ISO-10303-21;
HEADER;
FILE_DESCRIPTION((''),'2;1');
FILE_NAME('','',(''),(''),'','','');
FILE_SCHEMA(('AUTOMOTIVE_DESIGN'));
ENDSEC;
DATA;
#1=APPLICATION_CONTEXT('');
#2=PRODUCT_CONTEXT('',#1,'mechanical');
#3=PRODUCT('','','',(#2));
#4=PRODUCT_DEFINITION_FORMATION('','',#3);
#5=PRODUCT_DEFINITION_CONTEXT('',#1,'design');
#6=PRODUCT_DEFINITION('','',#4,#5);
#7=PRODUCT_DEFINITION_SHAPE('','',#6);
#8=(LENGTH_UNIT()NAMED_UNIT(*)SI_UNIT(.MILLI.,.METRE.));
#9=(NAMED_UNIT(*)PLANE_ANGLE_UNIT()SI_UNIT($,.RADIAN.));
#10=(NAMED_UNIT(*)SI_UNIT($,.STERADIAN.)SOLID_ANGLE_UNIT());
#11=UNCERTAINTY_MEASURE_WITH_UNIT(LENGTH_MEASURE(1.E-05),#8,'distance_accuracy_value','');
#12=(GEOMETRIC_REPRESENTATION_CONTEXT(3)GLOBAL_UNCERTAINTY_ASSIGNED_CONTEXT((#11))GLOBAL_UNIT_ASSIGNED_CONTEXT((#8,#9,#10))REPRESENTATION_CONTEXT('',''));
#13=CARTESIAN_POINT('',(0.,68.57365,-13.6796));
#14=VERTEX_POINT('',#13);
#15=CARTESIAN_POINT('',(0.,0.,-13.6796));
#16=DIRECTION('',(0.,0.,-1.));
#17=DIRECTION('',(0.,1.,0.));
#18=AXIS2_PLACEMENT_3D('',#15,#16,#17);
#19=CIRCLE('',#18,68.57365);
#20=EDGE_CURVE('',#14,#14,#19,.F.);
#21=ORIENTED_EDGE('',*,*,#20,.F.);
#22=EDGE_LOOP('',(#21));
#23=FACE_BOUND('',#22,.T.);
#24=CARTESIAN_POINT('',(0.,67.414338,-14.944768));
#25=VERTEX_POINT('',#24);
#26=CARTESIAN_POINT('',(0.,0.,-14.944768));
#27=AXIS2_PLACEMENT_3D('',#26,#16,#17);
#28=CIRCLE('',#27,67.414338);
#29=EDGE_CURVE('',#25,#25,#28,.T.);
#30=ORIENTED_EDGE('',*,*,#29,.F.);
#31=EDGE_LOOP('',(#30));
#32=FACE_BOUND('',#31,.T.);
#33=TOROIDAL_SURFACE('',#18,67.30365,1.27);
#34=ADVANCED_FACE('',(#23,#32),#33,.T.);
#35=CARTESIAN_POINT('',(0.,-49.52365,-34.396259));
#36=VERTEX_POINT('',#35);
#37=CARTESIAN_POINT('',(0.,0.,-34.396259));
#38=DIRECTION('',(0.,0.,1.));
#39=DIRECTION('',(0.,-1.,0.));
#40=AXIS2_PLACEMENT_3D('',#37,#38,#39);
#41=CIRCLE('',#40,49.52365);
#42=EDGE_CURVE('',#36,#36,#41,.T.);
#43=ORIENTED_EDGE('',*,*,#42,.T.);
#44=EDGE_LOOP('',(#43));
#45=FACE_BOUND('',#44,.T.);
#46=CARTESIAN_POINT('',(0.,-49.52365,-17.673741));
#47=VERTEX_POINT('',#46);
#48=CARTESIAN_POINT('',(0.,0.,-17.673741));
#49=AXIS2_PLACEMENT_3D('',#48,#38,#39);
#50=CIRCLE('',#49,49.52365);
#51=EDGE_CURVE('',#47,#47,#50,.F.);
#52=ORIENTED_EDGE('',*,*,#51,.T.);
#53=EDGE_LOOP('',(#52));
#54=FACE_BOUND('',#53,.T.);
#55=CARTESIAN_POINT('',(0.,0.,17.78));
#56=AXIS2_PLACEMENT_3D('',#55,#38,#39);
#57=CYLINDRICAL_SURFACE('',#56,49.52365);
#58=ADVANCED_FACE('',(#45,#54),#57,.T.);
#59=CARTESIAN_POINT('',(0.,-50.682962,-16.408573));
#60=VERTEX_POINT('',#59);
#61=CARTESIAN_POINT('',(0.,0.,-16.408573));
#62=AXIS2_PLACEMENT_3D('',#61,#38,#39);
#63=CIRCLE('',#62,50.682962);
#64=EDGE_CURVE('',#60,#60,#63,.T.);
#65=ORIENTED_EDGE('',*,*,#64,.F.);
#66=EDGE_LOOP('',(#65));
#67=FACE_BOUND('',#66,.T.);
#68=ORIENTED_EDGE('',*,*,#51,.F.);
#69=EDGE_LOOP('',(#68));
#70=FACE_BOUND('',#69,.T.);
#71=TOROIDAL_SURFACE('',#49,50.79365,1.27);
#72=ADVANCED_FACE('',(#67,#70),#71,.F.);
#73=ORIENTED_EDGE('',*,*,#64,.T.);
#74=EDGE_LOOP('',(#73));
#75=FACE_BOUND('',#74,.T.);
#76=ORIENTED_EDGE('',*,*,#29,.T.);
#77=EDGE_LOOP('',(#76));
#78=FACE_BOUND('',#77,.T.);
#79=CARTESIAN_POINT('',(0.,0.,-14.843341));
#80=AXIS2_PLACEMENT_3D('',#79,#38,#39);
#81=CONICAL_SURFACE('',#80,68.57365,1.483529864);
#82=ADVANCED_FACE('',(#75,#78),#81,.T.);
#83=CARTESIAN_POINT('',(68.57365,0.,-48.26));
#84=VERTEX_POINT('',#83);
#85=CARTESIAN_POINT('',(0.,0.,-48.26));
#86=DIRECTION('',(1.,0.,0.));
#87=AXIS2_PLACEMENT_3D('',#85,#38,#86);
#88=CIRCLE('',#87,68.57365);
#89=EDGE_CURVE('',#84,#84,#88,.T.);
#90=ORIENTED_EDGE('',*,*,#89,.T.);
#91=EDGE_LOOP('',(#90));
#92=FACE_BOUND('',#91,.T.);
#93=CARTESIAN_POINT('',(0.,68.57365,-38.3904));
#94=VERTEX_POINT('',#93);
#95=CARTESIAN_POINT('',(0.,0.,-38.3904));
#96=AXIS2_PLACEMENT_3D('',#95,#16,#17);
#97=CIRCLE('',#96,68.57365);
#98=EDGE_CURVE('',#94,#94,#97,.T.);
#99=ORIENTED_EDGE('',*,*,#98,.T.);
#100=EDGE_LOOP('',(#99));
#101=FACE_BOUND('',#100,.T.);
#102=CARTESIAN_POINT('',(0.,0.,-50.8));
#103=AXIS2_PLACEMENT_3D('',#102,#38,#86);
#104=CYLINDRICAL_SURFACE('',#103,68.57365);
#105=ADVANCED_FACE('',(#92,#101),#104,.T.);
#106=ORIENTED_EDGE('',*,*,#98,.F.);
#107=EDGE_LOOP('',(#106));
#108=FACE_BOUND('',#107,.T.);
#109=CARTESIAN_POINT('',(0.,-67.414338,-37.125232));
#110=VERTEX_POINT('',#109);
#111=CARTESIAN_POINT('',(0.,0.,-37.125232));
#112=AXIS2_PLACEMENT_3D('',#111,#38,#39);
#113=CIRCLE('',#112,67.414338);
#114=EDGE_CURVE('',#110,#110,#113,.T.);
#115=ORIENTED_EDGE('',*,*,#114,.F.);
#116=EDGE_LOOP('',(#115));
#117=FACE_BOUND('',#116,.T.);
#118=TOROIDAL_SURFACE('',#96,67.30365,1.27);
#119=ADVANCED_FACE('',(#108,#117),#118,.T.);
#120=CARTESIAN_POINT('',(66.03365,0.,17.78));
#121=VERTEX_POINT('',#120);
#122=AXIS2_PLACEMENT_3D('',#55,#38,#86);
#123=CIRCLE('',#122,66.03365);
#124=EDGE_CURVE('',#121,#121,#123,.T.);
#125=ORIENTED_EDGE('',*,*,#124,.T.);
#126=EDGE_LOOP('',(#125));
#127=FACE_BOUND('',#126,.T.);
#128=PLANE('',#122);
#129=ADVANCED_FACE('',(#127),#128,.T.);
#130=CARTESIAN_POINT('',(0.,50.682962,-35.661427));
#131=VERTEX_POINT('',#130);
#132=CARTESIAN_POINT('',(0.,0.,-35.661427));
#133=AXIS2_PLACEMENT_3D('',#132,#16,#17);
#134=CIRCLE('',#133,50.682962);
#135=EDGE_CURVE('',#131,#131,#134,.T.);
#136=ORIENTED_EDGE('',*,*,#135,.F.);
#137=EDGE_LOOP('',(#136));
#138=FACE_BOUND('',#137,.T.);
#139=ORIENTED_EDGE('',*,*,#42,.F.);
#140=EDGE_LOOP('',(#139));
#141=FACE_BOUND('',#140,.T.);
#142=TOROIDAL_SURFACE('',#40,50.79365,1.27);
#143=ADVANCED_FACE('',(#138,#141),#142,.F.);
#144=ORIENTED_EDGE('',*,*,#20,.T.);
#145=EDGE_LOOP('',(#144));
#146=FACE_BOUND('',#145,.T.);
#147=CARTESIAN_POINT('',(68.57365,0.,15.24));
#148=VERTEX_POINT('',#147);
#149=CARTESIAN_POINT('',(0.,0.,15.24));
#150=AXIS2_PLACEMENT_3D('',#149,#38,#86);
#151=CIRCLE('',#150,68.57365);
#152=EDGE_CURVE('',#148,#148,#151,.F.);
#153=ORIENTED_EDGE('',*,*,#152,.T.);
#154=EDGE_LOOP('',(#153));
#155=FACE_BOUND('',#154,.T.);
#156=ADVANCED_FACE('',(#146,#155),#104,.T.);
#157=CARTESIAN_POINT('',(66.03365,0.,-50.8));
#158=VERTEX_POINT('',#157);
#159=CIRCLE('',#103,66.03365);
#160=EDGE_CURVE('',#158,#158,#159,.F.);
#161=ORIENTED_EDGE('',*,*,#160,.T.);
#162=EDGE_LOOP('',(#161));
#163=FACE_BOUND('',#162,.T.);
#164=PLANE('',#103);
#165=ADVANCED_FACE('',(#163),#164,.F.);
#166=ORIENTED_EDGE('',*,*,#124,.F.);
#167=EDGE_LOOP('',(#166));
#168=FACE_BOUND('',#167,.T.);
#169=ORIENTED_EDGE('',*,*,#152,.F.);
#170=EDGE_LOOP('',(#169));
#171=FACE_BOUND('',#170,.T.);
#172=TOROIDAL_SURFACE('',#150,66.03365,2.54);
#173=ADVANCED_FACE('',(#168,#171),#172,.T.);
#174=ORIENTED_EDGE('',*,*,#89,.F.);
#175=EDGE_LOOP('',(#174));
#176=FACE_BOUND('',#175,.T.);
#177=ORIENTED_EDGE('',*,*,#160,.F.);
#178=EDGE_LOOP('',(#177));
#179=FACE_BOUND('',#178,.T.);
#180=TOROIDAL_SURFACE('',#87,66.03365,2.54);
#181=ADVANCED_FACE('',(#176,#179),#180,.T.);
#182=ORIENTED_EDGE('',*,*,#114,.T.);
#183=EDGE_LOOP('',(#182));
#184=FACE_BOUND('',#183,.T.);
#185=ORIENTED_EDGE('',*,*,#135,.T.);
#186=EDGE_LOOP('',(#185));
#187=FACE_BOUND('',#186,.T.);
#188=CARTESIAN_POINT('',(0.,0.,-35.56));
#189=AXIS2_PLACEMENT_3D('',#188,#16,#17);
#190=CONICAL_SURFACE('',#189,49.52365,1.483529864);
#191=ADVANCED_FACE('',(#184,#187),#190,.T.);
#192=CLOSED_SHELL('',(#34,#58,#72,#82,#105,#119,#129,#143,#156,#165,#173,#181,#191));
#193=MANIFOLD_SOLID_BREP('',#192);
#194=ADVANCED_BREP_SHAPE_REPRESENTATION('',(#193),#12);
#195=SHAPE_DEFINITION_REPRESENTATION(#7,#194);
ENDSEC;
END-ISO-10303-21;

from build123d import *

# Parameters (mm, degrees)
SKETCH1_R                = 68.57365
BOSS_EXTRUDE1_DEPTH      = 17.78
BOSS_EXTRUDE1_DEPTH_BACK = 50.8
FILLET1_R                = 1.27
FILLET2_R                = 2.54


with BuildPart() as part:
    # Sketch1 → Boss-Extrude1 (new body, two sides)
    with BuildSketch(Plane.XY) as boss_extrude1_sk:
        Circle(SKETCH1_R)
    extrude(amount=BOSS_EXTRUDE1_DEPTH)
    extrude(boss_extrude1_sk.sketch, amount=-BOSS_EXTRUDE1_DEPTH_BACK)

    # Sketch2 → Cut-Revolve1 (revolve, cut)
    with BuildSketch(Plane(origin=(0, 0, 0), x_dir=(0, 0, -1), z_dir=(1, 0, 0))):
        Polygon((16.51, 49.52365), (35.56, 49.52365), (37.22665904, 68.57365), (14.84334096, 68.57365), align=None)
    revolve(axis=Axis((0, 0, 17.78), (0, 0, -1)), mode=Mode.SUBTRACT)

    # Fillet1
    fillet1_edges = [part.edges().sort_by_distance(p)[0] for p in [
        (-48.488892926, -48.488892926, -14.84334096),
        (-48.488892926, -48.488892926, -37.22665904),
        (0, -49.52365, -35.56),
        (0, -49.52365, -16.51),
    ]]
    fillet(fillet1_edges, radius=FILLET1_R)

    # Fillet2
    fillet2_edges = [part.edges().sort_by_distance(p)[0] for p in [
        (-68.57365, 0, 17.78),
        (-68.57365, 0, -50.8),
    ]]
    fillet(fillet2_edges, radius=FILLET2_R)


solid = part.part
